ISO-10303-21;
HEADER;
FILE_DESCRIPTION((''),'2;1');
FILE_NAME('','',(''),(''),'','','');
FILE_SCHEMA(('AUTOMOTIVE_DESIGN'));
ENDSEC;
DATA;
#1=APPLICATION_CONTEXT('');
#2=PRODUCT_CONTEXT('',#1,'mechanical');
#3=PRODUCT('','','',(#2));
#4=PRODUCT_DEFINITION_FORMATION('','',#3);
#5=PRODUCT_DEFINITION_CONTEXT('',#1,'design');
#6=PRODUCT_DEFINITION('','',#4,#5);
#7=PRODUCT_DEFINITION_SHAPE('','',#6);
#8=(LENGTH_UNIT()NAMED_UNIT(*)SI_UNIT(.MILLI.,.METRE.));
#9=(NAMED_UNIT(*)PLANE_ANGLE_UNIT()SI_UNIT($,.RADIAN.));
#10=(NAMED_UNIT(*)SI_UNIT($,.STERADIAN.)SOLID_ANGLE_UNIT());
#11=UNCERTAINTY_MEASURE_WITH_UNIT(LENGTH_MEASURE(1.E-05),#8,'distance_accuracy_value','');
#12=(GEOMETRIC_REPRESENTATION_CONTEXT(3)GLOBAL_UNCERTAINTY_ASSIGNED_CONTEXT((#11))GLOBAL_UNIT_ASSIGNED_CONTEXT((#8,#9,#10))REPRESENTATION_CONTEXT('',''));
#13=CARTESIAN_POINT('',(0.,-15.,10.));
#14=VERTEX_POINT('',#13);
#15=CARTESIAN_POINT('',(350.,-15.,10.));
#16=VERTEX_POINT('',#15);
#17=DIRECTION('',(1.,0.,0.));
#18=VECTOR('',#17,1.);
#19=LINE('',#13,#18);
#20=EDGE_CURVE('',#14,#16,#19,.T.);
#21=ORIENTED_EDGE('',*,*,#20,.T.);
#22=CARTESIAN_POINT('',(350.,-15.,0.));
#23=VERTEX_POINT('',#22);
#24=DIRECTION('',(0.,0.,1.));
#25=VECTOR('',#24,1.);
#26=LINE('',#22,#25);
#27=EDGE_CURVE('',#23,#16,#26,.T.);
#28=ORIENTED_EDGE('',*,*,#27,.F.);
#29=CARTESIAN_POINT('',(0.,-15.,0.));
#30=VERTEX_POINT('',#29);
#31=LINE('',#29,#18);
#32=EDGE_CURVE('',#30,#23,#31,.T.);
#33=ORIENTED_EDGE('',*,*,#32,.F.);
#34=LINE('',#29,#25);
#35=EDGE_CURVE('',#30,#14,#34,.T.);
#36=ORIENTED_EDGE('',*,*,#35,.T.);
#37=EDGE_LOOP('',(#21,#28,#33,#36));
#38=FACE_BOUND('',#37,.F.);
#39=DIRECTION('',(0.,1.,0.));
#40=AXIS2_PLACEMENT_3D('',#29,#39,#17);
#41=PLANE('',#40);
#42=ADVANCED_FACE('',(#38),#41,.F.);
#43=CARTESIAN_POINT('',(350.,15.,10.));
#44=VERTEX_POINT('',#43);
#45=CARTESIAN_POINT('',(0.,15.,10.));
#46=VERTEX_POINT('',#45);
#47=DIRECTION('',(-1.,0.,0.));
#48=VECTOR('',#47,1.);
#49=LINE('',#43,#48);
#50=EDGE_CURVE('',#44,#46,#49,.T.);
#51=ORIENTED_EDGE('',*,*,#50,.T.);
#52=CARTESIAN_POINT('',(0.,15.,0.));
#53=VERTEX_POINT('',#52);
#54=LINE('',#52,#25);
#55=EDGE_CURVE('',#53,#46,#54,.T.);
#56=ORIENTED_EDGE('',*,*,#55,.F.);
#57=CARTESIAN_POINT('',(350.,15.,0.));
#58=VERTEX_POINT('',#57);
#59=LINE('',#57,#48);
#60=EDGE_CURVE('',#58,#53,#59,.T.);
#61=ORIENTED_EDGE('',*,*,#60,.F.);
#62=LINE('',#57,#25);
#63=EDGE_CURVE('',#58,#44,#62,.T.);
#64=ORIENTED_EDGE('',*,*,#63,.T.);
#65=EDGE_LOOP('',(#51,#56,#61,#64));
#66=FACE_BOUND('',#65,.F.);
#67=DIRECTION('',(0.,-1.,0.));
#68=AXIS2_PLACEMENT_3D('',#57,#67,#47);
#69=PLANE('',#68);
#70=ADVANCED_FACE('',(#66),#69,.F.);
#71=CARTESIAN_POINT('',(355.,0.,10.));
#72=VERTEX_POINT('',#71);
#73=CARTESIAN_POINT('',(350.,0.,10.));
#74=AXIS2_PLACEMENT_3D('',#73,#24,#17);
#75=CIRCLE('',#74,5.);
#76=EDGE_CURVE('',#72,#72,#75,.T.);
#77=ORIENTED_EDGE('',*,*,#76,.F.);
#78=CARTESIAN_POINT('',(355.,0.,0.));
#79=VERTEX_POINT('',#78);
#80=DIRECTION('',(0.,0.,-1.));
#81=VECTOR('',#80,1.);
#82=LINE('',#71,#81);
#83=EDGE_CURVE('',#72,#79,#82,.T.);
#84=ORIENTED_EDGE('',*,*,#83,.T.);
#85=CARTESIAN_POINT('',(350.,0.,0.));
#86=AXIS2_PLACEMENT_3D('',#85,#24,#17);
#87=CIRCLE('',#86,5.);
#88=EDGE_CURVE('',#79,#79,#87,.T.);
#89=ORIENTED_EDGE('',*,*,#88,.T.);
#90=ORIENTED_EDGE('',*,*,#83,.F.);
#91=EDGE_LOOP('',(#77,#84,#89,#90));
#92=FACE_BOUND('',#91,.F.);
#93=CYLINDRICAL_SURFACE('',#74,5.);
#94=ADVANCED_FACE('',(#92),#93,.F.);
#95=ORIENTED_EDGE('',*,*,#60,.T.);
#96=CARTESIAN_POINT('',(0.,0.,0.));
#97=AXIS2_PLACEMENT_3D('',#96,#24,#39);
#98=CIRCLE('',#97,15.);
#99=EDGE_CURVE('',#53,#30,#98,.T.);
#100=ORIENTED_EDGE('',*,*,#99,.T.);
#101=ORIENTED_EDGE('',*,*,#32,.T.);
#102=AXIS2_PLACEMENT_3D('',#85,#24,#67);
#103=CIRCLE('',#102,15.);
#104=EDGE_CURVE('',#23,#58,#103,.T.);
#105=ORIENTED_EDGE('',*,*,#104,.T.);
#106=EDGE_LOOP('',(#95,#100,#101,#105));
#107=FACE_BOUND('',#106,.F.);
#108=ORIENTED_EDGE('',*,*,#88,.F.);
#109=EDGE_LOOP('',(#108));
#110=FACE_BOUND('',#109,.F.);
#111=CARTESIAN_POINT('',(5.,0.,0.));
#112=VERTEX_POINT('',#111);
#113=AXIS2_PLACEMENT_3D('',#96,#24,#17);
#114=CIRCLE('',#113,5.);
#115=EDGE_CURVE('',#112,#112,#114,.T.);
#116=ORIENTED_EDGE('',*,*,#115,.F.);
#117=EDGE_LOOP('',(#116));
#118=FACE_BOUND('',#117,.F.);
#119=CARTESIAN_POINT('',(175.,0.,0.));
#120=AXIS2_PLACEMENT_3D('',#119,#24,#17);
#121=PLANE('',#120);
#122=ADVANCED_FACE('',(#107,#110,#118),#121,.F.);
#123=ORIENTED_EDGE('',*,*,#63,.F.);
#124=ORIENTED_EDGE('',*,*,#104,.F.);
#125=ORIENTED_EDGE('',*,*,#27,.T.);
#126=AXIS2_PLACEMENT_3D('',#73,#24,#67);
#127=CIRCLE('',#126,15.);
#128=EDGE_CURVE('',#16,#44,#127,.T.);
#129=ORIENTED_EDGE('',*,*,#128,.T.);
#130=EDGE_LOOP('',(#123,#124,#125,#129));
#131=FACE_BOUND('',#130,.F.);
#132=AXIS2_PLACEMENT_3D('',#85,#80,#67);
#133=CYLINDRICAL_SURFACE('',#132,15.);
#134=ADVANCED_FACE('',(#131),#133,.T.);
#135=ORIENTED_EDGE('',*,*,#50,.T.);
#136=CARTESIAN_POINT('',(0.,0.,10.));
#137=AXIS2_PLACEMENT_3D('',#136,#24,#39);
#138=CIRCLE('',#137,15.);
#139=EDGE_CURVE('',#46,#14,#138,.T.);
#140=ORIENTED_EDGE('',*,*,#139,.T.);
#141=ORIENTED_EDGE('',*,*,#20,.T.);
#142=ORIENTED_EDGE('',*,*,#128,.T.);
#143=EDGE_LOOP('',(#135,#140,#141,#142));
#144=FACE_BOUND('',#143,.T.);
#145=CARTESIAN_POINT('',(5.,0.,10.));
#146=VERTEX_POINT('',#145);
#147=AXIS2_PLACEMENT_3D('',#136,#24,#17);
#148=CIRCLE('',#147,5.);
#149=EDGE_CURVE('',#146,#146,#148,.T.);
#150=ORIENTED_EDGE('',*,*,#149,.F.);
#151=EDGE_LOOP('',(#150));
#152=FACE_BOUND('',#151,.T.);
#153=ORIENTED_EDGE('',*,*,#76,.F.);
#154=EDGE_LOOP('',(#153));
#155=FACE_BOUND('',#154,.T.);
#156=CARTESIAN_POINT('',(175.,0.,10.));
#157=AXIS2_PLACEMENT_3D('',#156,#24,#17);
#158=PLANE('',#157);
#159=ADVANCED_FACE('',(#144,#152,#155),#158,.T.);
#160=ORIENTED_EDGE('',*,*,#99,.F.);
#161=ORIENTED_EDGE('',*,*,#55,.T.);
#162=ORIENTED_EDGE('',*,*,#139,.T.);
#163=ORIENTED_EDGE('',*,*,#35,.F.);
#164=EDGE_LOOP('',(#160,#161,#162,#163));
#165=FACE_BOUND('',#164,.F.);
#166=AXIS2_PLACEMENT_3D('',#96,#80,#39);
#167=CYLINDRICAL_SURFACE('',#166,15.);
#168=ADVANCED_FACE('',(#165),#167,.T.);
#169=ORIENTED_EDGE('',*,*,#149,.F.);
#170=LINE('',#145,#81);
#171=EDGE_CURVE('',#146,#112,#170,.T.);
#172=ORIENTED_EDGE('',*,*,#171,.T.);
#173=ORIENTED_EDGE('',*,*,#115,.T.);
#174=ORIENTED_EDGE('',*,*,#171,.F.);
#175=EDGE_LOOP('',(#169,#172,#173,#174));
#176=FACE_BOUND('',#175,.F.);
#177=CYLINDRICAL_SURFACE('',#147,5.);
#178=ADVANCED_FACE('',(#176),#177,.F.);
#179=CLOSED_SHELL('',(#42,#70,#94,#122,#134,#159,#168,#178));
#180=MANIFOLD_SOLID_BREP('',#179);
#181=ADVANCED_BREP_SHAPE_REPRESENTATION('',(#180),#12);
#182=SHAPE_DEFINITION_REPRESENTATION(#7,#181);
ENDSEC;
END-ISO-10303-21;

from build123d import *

# Parameters (mm, degrees)
F1_DEPTH = 10
F2_R     = 5
F3_DEPTH = 10.001


with BuildPart() as f1:
    # F0 (on Top) → F1 (new body)
    with BuildSketch(Plane.XY):
        with BuildLine():
            Line((350, 15), (0, 15))
            ThreePointArc((0, 15), (-15, 0), (0, -15))
            Line((0, -15), (350, -15))
            ThreePointArc((350, -15), (365, 0), (350, 15))
        make_face()
    extrude(amount=F1_DEPTH)

    # F2 (on face) → F3 (cut, through all)
    with BuildSketch(Plane.XY.offset(10)):
        Circle(F2_R)
        with Locations((350, 0)):
            Circle(F2_R)
    extrude(amount=-F3_DEPTH, mode=Mode.SUBTRACT)


solid = f1.part
